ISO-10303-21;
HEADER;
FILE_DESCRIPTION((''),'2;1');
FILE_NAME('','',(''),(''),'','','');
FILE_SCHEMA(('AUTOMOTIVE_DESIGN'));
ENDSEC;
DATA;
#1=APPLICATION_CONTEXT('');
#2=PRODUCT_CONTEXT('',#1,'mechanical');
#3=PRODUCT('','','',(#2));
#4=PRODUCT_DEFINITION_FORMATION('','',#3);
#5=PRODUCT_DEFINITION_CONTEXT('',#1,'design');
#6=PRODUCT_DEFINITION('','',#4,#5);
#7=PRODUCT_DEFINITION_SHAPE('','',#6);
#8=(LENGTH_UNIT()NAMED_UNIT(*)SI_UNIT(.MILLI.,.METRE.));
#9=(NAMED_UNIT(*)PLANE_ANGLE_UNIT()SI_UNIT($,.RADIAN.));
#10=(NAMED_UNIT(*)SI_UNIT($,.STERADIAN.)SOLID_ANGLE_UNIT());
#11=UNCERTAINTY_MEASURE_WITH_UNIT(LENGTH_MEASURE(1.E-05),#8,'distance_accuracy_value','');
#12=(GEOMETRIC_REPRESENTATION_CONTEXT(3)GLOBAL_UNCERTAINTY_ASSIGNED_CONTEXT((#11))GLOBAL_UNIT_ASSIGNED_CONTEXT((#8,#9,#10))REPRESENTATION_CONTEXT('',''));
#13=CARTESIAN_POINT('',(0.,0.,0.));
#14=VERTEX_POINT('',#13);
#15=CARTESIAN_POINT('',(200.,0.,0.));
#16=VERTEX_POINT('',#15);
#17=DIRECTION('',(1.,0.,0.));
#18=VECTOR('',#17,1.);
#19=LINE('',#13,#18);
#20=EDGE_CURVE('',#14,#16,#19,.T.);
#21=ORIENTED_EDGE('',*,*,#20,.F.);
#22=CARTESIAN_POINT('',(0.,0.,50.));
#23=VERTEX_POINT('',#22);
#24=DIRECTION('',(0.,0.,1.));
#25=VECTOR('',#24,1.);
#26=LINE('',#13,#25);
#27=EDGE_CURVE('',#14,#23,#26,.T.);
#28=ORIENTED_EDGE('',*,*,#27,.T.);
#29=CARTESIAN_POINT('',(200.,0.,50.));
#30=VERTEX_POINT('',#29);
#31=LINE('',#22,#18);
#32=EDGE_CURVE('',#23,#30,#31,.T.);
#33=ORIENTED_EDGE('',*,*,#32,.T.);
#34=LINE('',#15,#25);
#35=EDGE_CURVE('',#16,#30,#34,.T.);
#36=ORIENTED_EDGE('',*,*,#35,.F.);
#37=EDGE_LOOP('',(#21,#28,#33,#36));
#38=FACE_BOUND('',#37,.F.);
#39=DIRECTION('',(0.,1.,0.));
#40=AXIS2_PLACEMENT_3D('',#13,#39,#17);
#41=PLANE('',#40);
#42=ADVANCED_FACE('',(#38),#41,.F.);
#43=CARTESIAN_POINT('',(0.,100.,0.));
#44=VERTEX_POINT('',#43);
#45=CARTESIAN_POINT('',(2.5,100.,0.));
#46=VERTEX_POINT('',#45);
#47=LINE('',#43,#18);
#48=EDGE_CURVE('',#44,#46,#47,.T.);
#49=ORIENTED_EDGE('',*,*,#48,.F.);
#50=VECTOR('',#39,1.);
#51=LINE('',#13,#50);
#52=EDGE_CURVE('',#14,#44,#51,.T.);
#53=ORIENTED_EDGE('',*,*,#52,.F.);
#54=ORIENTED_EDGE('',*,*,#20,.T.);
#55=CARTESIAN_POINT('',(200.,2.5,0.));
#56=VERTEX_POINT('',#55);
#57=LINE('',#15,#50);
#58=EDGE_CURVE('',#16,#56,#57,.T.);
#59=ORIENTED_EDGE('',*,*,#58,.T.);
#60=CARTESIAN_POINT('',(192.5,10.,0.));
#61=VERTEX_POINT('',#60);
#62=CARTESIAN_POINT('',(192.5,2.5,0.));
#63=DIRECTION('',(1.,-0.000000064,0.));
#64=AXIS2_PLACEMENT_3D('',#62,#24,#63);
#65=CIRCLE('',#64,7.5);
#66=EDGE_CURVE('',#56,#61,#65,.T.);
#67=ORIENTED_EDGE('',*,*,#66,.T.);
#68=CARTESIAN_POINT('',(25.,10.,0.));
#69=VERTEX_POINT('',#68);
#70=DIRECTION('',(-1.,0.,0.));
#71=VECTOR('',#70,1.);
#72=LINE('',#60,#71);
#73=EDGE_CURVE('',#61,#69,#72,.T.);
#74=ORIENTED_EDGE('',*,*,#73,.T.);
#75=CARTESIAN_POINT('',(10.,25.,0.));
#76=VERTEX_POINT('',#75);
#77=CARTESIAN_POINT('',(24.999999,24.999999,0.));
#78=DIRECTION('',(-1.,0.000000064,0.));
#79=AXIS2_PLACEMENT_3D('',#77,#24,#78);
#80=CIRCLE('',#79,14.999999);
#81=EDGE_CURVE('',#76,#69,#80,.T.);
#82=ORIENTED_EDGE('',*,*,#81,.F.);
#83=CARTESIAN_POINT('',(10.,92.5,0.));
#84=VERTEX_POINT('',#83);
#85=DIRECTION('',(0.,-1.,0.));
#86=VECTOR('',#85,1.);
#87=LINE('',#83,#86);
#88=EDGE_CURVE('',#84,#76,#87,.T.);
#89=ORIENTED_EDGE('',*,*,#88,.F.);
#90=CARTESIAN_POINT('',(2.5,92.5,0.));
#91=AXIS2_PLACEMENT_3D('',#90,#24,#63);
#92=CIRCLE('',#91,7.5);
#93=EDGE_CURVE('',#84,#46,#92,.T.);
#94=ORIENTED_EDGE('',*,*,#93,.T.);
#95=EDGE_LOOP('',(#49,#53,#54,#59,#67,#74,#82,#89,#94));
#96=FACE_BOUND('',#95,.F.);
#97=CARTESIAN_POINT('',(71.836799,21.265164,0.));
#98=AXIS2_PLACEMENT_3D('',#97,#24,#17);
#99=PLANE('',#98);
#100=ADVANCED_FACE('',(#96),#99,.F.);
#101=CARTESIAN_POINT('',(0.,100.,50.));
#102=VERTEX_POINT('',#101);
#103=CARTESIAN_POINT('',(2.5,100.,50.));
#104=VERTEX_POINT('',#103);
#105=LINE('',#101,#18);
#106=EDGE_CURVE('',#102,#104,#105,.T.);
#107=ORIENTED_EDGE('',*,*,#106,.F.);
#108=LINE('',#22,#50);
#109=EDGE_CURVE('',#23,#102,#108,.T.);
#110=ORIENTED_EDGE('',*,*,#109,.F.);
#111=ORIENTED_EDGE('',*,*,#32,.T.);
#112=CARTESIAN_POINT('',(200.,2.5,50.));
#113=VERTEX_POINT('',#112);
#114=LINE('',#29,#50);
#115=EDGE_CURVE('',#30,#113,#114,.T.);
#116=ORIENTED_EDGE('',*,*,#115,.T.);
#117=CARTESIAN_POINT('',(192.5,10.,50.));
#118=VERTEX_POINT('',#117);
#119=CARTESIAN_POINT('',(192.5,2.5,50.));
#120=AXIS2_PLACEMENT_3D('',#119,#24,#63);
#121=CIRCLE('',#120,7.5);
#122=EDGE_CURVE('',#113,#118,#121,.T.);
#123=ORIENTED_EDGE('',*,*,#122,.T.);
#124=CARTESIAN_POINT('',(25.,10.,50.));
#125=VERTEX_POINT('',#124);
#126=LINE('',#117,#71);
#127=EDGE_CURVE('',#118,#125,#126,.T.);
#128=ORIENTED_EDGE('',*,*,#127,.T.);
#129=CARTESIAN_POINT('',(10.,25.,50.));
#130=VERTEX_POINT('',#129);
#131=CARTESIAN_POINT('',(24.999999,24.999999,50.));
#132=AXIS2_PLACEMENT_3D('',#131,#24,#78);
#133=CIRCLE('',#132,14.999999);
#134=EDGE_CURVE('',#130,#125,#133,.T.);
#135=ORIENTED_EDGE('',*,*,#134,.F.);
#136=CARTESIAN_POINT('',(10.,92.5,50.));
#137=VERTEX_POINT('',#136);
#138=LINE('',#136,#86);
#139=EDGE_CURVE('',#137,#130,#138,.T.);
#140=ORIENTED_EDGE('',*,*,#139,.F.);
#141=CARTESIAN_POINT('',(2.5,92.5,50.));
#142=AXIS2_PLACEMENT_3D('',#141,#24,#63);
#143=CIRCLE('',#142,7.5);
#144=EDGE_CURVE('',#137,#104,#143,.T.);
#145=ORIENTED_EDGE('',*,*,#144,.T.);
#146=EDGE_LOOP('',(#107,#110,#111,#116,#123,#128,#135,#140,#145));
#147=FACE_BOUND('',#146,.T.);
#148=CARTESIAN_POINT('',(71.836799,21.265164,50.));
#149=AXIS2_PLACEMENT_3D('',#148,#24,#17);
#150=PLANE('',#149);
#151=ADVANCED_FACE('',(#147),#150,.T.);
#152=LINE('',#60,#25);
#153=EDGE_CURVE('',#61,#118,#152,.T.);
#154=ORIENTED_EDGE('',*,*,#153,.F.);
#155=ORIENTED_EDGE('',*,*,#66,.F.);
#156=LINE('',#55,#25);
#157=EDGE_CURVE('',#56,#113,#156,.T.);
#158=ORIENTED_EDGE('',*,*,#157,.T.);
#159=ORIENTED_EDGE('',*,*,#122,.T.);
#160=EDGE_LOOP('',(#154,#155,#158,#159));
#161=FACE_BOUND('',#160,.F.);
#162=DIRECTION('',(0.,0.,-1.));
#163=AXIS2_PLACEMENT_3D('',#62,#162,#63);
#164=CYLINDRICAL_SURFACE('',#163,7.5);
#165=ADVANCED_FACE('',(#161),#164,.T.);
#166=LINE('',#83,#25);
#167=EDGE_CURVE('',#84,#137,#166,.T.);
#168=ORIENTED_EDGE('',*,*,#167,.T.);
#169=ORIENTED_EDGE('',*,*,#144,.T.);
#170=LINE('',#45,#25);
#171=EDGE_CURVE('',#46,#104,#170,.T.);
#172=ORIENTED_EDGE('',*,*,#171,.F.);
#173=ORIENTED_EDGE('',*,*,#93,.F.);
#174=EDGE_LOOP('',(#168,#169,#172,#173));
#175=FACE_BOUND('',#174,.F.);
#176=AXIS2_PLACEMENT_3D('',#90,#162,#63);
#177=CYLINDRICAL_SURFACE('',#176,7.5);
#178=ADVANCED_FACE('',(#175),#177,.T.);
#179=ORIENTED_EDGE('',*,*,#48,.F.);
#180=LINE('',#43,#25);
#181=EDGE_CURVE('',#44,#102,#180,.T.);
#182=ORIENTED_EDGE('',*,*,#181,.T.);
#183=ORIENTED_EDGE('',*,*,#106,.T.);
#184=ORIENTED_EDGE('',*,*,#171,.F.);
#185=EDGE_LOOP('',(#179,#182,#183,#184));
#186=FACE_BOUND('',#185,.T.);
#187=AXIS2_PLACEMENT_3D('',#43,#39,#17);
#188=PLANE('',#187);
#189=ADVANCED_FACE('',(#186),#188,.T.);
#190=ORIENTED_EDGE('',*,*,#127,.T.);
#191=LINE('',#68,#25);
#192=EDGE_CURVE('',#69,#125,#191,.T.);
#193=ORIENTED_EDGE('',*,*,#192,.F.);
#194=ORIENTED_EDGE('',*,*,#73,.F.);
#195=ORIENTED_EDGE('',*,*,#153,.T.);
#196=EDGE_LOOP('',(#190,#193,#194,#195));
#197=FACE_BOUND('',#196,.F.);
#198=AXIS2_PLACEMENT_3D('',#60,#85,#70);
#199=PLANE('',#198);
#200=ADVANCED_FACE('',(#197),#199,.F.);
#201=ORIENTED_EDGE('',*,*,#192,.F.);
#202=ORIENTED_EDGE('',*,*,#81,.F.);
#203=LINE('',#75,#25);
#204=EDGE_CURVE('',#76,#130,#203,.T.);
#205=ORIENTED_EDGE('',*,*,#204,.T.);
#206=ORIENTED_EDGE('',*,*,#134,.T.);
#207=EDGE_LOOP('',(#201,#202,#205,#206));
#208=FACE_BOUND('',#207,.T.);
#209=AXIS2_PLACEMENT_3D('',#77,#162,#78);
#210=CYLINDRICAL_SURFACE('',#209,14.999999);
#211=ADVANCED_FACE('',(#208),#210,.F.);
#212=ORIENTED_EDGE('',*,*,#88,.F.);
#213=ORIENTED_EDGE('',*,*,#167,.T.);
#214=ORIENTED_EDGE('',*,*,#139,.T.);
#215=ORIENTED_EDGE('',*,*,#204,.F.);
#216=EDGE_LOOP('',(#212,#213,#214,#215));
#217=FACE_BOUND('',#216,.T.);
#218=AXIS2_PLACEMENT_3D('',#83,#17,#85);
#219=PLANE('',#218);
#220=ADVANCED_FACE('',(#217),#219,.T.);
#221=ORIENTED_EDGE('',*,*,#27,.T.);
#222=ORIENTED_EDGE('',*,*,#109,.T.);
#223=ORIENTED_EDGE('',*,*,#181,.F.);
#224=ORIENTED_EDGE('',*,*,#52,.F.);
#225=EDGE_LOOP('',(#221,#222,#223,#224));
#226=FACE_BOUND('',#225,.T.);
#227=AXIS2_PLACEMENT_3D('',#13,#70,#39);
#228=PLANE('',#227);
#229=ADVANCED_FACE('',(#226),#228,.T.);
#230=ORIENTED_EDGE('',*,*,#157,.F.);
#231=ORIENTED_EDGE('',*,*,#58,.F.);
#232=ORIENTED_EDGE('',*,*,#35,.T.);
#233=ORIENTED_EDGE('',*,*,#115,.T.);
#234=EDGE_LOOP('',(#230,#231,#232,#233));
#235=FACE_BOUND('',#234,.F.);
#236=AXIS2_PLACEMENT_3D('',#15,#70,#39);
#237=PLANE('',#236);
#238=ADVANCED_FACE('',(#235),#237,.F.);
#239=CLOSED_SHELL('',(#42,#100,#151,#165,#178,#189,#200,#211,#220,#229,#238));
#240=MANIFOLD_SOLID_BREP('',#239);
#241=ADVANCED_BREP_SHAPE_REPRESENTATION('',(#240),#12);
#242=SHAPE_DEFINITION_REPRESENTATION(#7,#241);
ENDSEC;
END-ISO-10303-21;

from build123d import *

# Parameters (mm, degrees)
EXTRUDE_DEPTH = 50


with BuildPart() as part:
    # Sketch → Extrude (new body)
    with BuildSketch(Plane.XY):
        with BuildLine():
            Line((0, 0), (200, 0))
            Line((200, 0), (200, 2.5))
            ThreePointArc((200, 2.5), (197.803301, 7.803301), (192.5, 10))
            Line((192.5, 10), (25, 10))
            ThreePointArc((10, 25), (14.393398, 14.393398), (25, 10))
            Line((10, 92.5), (10, 25))
            ThreePointArc((10, 92.5), (7.803301, 97.803301), (2.5, 100))
            Line((0, 100), (2.5, 100))
            Line((0, 0), (0, 100))
        make_face()
    extrude(amount=EXTRUDE_DEPTH)


solid = part.part
